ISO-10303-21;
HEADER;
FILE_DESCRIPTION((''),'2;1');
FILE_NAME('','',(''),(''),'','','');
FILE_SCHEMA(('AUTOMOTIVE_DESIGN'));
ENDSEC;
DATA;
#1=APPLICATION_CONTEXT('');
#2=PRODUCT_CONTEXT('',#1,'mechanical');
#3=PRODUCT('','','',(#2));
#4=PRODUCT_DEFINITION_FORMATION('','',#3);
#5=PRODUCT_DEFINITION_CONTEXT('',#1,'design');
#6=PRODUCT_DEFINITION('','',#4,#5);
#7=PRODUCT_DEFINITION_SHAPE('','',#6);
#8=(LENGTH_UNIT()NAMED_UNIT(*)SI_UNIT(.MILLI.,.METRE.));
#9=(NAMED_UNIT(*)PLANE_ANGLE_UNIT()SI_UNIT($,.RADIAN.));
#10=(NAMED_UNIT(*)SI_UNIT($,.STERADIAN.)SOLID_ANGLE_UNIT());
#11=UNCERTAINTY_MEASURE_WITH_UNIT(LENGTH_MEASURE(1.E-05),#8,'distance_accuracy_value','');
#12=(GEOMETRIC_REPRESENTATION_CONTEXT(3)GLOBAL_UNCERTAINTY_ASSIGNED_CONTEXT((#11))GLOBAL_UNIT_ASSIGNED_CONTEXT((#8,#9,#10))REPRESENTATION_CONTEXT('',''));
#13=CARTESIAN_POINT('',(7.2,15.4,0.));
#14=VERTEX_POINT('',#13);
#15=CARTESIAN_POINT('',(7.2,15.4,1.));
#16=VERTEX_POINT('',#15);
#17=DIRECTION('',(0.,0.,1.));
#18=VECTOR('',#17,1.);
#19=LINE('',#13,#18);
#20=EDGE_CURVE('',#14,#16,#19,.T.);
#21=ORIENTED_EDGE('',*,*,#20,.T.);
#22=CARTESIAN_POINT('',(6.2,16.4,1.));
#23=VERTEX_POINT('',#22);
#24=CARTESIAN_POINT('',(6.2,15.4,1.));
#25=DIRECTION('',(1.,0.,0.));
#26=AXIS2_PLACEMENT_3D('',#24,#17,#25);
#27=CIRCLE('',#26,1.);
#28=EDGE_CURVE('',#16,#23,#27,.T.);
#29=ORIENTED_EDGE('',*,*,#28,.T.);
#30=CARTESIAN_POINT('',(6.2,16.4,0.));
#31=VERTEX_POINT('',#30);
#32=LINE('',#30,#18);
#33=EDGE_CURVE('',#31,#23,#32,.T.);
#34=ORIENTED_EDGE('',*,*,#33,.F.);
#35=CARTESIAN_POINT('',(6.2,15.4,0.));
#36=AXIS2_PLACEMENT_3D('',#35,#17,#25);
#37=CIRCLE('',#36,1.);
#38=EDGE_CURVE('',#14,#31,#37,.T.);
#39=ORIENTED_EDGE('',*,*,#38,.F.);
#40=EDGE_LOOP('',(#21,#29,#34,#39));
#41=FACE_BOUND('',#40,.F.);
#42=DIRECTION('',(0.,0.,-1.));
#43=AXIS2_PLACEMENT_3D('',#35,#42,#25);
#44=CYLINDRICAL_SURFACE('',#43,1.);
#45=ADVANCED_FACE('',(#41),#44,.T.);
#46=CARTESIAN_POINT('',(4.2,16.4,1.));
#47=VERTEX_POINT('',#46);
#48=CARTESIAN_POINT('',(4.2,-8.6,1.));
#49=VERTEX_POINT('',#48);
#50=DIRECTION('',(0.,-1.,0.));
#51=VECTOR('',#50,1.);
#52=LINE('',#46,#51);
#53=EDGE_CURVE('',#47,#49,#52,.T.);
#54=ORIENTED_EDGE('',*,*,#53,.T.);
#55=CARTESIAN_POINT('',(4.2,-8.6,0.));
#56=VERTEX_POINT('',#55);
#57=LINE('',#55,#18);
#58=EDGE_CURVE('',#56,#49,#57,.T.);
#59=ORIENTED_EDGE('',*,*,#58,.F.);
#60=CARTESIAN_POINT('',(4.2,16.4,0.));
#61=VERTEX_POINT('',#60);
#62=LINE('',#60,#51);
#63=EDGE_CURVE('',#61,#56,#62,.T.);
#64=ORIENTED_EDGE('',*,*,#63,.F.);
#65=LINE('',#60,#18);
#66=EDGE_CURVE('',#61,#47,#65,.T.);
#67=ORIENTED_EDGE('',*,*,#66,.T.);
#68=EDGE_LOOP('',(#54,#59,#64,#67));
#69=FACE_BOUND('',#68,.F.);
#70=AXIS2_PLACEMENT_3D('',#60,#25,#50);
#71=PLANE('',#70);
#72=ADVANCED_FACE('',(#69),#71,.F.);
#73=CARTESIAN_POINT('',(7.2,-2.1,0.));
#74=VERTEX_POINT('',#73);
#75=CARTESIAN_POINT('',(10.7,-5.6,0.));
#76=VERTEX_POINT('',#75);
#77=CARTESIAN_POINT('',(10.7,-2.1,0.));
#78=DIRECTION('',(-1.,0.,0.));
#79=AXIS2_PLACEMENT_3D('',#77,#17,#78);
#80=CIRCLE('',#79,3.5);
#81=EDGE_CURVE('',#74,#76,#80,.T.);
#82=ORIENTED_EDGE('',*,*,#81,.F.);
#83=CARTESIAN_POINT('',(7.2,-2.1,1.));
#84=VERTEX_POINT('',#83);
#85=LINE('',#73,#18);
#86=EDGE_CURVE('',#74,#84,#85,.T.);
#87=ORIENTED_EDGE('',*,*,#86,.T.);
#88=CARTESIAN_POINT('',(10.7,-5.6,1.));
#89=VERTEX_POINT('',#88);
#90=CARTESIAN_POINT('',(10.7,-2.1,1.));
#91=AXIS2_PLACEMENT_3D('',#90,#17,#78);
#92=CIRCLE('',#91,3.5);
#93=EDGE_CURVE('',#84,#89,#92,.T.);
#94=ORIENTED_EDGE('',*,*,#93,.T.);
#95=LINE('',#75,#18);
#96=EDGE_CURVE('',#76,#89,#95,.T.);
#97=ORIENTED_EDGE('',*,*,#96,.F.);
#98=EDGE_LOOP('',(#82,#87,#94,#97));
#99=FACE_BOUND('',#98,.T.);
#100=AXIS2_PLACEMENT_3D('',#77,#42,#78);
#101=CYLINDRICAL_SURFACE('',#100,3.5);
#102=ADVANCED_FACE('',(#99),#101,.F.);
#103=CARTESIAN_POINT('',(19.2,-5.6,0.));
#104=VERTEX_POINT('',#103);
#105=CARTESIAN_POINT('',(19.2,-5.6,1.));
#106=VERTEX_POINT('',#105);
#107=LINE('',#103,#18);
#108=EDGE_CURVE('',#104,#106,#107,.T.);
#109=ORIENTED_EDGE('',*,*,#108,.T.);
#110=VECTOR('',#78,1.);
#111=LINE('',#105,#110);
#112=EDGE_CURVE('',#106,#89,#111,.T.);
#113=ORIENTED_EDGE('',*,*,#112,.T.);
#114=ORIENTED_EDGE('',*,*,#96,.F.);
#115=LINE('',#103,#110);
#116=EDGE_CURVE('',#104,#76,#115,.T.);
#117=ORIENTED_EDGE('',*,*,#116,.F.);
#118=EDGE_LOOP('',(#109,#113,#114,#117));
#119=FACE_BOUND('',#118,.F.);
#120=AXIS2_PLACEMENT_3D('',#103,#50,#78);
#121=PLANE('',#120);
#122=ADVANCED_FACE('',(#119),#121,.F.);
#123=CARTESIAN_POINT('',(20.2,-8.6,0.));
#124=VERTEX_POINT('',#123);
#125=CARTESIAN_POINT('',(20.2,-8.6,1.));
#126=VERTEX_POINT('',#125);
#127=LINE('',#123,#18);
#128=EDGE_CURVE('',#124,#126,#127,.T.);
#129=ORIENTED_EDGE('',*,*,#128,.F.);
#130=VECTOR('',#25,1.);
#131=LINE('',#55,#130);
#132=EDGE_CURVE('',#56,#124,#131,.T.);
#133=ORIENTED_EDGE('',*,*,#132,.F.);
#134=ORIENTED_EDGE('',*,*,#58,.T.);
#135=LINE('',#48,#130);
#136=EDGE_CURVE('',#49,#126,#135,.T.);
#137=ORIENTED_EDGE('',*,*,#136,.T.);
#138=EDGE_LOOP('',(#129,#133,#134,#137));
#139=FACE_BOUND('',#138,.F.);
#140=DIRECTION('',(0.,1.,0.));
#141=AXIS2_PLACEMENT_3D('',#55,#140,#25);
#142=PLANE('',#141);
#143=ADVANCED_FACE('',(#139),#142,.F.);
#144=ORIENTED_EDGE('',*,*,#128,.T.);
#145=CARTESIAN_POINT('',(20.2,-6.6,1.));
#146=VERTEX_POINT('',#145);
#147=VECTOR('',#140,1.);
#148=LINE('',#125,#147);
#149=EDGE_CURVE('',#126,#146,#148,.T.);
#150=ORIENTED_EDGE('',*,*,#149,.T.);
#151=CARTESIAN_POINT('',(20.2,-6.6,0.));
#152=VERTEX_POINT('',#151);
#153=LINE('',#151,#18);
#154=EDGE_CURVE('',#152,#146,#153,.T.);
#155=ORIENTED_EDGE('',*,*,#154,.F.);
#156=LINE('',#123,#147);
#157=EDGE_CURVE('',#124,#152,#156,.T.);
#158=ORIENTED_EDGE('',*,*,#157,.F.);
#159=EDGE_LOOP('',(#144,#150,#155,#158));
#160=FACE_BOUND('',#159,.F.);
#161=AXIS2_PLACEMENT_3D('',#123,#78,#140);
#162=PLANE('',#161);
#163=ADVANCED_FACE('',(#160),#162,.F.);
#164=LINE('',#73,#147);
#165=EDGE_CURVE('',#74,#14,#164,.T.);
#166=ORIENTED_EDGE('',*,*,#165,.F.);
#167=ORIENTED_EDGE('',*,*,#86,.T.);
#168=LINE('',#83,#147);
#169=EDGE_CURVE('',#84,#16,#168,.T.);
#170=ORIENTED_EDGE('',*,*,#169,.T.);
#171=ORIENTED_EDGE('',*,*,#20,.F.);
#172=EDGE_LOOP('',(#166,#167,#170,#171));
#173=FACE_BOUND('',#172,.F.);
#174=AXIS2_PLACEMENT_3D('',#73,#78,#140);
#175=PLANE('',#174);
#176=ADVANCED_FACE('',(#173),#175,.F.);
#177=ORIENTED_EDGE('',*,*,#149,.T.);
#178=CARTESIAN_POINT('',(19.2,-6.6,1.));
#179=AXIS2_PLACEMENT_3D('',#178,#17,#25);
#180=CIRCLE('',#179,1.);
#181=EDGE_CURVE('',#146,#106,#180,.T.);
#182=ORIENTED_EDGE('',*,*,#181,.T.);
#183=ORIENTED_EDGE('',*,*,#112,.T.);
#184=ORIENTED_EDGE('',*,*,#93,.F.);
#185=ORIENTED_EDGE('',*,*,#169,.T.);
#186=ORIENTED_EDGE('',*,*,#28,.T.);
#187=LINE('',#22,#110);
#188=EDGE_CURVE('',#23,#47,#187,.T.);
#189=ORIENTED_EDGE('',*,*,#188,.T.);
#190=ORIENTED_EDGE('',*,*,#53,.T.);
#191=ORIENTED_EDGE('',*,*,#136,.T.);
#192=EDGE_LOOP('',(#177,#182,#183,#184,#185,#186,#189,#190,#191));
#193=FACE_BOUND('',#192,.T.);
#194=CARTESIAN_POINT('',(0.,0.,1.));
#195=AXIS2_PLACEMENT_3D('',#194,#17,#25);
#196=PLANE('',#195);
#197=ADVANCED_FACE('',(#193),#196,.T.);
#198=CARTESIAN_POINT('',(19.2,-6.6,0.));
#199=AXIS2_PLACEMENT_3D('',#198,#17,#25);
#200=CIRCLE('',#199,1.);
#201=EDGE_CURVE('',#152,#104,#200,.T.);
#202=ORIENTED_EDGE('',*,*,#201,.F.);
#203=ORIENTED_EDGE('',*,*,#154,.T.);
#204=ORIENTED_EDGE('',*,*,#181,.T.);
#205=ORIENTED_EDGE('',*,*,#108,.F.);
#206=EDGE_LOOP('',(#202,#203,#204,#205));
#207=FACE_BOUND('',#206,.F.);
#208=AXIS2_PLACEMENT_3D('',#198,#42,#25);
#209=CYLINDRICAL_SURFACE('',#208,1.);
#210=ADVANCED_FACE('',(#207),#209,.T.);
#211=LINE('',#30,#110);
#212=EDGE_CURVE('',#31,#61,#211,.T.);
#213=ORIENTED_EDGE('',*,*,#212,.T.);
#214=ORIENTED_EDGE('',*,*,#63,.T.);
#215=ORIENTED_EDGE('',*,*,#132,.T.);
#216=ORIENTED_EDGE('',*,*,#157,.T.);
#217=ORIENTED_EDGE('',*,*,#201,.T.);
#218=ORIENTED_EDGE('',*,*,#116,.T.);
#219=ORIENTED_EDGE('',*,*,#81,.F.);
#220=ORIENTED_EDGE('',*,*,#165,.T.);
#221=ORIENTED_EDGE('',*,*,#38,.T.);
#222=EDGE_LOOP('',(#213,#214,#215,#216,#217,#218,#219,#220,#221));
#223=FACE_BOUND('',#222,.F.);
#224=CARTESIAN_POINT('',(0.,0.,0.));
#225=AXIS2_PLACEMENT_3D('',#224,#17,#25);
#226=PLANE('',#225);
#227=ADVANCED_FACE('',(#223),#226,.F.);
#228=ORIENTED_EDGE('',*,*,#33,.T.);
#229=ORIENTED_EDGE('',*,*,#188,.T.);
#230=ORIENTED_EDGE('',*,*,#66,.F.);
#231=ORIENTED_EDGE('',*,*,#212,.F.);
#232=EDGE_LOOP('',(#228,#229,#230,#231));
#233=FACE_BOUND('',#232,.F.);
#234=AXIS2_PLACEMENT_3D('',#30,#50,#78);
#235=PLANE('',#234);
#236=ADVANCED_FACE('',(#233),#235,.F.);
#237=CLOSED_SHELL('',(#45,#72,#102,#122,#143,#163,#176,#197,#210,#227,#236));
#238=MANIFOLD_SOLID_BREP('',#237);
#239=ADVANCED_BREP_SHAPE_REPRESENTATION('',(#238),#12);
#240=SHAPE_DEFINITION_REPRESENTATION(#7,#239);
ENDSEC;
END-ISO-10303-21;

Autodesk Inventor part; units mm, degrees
ref_plane "YZ Plane" through (0, 0, 0) normal (1, 0, 0) x (0, 1, 0)
ref_plane "Start plane" through (0, 0, 0) normal (0, 0, 1) x (1, 0, 0)
ref_plane "End plane" through (0, 0, 1) normal (0, 0, 1) x (1, 0, 0)
sketch "Sketch" plane through (0, 0, 0) normal (0, 0, 1) x (1, 0, 0)
  line L0 (4.2, 16.4) -> (4.2, -8.6)
  line L1 (4.2, -8.6) -> (20.2, -8.6)
  line L2 (20.2, -8.6) -> (20.2, -6.6)
  line L3 (19.2, -5.6) -> (10.7, -5.6)
  line L4 (7.2, -2.1) -> (7.2, 15.4)
  line L5 (6.2, 16.4) -> (4.2, 16.4)
  line L6 (-7.0414, 0) -> (21.5385, 0) construction
  line L7 (0, -8.0414) -> (0, 34.5385) construction
  arc A0 (7.2, -2.1) -> (10.7, -5.6) centre (10.7, -2.1) ccw
  arc A1 (20.2, -6.6) -> (19.2, -5.6) centre (19.2, -6.6) ccw
  arc A2 (7.2, 15.4) -> (6.2, 16.4) centre (6.2, 15.4) ccw
  line L8 (0, 43.0545) -> (0, -16.5574) construction
  line L9 (-12.7574, 0) -> (27.2545, 0) construction
  point P0 (20.2, -5.6)
  point P1 (7.2, -5.6)
  point P2 (7.2, 16.4)
  dimension "d12" = 3
  dimension "d13" = 25
  dimension "d14" = 16
  dimension "d15" = 8.6
  dimension "d16" = 3
  dimension "d17" = 4.2
  dimension "d18" = 3.5
  dimension "d19" = 1
extrude "Body" add sketch "Sketch" along normal up to surface (1 mm away) from surface at 0
sketch "Sketch3" plane through (0, 0, 0) normal (0, 0, 1) x (1, 0, 0)
  line L0 (0, 0) -> (10, 0)
ref_plane "Work Plane3" through (0, 0, 0) normal (0, -1, 0) x (1, 0, 0)
sketch "Sketch4" plane through (0, 0, 0) normal (0, -1, 0) x (1, 0, 0)
  line L0 (-2, 0) -> (12, 0)
  line L1 (-2, 1) -> (12, 1)
  dimension "d23" = 1
equation "\"d12\" = G_T"
equation "\"d13\" = G_H"
equation "\"d14\" = G_W"
equation "\"d15\" = ex"
equation "\"d16\" = G_T"
equation "\"d17\" = ey"
equation "\"d18\" = G_IR"
equation "\"d19\" = G_ER"
equation "\"d4\" = G_L"
equation "\"G_W\" = 16"
equation "\"G_H\" = 25"
equation "\"G_T\" = 3"
equation "\"G_ER\" = 0.333333 * G_T"
equation "\"G_IR\" = 3.5"
equation "\"G_L\" = d23"
equation "\"ex\" = 8.6"
equation "\"ey\" = 4.2"
equation "\"G_OFFSET_START\" = 0"
equation "\"G_OFFSET_END\" = 0"
equation "\"d21\" = G_OFFSET_END + B_L"
equation "\"B_L\" = 1"
properties part number "Steel 25x16x3-1 GB 9788-88" material "Steel, Mild"
